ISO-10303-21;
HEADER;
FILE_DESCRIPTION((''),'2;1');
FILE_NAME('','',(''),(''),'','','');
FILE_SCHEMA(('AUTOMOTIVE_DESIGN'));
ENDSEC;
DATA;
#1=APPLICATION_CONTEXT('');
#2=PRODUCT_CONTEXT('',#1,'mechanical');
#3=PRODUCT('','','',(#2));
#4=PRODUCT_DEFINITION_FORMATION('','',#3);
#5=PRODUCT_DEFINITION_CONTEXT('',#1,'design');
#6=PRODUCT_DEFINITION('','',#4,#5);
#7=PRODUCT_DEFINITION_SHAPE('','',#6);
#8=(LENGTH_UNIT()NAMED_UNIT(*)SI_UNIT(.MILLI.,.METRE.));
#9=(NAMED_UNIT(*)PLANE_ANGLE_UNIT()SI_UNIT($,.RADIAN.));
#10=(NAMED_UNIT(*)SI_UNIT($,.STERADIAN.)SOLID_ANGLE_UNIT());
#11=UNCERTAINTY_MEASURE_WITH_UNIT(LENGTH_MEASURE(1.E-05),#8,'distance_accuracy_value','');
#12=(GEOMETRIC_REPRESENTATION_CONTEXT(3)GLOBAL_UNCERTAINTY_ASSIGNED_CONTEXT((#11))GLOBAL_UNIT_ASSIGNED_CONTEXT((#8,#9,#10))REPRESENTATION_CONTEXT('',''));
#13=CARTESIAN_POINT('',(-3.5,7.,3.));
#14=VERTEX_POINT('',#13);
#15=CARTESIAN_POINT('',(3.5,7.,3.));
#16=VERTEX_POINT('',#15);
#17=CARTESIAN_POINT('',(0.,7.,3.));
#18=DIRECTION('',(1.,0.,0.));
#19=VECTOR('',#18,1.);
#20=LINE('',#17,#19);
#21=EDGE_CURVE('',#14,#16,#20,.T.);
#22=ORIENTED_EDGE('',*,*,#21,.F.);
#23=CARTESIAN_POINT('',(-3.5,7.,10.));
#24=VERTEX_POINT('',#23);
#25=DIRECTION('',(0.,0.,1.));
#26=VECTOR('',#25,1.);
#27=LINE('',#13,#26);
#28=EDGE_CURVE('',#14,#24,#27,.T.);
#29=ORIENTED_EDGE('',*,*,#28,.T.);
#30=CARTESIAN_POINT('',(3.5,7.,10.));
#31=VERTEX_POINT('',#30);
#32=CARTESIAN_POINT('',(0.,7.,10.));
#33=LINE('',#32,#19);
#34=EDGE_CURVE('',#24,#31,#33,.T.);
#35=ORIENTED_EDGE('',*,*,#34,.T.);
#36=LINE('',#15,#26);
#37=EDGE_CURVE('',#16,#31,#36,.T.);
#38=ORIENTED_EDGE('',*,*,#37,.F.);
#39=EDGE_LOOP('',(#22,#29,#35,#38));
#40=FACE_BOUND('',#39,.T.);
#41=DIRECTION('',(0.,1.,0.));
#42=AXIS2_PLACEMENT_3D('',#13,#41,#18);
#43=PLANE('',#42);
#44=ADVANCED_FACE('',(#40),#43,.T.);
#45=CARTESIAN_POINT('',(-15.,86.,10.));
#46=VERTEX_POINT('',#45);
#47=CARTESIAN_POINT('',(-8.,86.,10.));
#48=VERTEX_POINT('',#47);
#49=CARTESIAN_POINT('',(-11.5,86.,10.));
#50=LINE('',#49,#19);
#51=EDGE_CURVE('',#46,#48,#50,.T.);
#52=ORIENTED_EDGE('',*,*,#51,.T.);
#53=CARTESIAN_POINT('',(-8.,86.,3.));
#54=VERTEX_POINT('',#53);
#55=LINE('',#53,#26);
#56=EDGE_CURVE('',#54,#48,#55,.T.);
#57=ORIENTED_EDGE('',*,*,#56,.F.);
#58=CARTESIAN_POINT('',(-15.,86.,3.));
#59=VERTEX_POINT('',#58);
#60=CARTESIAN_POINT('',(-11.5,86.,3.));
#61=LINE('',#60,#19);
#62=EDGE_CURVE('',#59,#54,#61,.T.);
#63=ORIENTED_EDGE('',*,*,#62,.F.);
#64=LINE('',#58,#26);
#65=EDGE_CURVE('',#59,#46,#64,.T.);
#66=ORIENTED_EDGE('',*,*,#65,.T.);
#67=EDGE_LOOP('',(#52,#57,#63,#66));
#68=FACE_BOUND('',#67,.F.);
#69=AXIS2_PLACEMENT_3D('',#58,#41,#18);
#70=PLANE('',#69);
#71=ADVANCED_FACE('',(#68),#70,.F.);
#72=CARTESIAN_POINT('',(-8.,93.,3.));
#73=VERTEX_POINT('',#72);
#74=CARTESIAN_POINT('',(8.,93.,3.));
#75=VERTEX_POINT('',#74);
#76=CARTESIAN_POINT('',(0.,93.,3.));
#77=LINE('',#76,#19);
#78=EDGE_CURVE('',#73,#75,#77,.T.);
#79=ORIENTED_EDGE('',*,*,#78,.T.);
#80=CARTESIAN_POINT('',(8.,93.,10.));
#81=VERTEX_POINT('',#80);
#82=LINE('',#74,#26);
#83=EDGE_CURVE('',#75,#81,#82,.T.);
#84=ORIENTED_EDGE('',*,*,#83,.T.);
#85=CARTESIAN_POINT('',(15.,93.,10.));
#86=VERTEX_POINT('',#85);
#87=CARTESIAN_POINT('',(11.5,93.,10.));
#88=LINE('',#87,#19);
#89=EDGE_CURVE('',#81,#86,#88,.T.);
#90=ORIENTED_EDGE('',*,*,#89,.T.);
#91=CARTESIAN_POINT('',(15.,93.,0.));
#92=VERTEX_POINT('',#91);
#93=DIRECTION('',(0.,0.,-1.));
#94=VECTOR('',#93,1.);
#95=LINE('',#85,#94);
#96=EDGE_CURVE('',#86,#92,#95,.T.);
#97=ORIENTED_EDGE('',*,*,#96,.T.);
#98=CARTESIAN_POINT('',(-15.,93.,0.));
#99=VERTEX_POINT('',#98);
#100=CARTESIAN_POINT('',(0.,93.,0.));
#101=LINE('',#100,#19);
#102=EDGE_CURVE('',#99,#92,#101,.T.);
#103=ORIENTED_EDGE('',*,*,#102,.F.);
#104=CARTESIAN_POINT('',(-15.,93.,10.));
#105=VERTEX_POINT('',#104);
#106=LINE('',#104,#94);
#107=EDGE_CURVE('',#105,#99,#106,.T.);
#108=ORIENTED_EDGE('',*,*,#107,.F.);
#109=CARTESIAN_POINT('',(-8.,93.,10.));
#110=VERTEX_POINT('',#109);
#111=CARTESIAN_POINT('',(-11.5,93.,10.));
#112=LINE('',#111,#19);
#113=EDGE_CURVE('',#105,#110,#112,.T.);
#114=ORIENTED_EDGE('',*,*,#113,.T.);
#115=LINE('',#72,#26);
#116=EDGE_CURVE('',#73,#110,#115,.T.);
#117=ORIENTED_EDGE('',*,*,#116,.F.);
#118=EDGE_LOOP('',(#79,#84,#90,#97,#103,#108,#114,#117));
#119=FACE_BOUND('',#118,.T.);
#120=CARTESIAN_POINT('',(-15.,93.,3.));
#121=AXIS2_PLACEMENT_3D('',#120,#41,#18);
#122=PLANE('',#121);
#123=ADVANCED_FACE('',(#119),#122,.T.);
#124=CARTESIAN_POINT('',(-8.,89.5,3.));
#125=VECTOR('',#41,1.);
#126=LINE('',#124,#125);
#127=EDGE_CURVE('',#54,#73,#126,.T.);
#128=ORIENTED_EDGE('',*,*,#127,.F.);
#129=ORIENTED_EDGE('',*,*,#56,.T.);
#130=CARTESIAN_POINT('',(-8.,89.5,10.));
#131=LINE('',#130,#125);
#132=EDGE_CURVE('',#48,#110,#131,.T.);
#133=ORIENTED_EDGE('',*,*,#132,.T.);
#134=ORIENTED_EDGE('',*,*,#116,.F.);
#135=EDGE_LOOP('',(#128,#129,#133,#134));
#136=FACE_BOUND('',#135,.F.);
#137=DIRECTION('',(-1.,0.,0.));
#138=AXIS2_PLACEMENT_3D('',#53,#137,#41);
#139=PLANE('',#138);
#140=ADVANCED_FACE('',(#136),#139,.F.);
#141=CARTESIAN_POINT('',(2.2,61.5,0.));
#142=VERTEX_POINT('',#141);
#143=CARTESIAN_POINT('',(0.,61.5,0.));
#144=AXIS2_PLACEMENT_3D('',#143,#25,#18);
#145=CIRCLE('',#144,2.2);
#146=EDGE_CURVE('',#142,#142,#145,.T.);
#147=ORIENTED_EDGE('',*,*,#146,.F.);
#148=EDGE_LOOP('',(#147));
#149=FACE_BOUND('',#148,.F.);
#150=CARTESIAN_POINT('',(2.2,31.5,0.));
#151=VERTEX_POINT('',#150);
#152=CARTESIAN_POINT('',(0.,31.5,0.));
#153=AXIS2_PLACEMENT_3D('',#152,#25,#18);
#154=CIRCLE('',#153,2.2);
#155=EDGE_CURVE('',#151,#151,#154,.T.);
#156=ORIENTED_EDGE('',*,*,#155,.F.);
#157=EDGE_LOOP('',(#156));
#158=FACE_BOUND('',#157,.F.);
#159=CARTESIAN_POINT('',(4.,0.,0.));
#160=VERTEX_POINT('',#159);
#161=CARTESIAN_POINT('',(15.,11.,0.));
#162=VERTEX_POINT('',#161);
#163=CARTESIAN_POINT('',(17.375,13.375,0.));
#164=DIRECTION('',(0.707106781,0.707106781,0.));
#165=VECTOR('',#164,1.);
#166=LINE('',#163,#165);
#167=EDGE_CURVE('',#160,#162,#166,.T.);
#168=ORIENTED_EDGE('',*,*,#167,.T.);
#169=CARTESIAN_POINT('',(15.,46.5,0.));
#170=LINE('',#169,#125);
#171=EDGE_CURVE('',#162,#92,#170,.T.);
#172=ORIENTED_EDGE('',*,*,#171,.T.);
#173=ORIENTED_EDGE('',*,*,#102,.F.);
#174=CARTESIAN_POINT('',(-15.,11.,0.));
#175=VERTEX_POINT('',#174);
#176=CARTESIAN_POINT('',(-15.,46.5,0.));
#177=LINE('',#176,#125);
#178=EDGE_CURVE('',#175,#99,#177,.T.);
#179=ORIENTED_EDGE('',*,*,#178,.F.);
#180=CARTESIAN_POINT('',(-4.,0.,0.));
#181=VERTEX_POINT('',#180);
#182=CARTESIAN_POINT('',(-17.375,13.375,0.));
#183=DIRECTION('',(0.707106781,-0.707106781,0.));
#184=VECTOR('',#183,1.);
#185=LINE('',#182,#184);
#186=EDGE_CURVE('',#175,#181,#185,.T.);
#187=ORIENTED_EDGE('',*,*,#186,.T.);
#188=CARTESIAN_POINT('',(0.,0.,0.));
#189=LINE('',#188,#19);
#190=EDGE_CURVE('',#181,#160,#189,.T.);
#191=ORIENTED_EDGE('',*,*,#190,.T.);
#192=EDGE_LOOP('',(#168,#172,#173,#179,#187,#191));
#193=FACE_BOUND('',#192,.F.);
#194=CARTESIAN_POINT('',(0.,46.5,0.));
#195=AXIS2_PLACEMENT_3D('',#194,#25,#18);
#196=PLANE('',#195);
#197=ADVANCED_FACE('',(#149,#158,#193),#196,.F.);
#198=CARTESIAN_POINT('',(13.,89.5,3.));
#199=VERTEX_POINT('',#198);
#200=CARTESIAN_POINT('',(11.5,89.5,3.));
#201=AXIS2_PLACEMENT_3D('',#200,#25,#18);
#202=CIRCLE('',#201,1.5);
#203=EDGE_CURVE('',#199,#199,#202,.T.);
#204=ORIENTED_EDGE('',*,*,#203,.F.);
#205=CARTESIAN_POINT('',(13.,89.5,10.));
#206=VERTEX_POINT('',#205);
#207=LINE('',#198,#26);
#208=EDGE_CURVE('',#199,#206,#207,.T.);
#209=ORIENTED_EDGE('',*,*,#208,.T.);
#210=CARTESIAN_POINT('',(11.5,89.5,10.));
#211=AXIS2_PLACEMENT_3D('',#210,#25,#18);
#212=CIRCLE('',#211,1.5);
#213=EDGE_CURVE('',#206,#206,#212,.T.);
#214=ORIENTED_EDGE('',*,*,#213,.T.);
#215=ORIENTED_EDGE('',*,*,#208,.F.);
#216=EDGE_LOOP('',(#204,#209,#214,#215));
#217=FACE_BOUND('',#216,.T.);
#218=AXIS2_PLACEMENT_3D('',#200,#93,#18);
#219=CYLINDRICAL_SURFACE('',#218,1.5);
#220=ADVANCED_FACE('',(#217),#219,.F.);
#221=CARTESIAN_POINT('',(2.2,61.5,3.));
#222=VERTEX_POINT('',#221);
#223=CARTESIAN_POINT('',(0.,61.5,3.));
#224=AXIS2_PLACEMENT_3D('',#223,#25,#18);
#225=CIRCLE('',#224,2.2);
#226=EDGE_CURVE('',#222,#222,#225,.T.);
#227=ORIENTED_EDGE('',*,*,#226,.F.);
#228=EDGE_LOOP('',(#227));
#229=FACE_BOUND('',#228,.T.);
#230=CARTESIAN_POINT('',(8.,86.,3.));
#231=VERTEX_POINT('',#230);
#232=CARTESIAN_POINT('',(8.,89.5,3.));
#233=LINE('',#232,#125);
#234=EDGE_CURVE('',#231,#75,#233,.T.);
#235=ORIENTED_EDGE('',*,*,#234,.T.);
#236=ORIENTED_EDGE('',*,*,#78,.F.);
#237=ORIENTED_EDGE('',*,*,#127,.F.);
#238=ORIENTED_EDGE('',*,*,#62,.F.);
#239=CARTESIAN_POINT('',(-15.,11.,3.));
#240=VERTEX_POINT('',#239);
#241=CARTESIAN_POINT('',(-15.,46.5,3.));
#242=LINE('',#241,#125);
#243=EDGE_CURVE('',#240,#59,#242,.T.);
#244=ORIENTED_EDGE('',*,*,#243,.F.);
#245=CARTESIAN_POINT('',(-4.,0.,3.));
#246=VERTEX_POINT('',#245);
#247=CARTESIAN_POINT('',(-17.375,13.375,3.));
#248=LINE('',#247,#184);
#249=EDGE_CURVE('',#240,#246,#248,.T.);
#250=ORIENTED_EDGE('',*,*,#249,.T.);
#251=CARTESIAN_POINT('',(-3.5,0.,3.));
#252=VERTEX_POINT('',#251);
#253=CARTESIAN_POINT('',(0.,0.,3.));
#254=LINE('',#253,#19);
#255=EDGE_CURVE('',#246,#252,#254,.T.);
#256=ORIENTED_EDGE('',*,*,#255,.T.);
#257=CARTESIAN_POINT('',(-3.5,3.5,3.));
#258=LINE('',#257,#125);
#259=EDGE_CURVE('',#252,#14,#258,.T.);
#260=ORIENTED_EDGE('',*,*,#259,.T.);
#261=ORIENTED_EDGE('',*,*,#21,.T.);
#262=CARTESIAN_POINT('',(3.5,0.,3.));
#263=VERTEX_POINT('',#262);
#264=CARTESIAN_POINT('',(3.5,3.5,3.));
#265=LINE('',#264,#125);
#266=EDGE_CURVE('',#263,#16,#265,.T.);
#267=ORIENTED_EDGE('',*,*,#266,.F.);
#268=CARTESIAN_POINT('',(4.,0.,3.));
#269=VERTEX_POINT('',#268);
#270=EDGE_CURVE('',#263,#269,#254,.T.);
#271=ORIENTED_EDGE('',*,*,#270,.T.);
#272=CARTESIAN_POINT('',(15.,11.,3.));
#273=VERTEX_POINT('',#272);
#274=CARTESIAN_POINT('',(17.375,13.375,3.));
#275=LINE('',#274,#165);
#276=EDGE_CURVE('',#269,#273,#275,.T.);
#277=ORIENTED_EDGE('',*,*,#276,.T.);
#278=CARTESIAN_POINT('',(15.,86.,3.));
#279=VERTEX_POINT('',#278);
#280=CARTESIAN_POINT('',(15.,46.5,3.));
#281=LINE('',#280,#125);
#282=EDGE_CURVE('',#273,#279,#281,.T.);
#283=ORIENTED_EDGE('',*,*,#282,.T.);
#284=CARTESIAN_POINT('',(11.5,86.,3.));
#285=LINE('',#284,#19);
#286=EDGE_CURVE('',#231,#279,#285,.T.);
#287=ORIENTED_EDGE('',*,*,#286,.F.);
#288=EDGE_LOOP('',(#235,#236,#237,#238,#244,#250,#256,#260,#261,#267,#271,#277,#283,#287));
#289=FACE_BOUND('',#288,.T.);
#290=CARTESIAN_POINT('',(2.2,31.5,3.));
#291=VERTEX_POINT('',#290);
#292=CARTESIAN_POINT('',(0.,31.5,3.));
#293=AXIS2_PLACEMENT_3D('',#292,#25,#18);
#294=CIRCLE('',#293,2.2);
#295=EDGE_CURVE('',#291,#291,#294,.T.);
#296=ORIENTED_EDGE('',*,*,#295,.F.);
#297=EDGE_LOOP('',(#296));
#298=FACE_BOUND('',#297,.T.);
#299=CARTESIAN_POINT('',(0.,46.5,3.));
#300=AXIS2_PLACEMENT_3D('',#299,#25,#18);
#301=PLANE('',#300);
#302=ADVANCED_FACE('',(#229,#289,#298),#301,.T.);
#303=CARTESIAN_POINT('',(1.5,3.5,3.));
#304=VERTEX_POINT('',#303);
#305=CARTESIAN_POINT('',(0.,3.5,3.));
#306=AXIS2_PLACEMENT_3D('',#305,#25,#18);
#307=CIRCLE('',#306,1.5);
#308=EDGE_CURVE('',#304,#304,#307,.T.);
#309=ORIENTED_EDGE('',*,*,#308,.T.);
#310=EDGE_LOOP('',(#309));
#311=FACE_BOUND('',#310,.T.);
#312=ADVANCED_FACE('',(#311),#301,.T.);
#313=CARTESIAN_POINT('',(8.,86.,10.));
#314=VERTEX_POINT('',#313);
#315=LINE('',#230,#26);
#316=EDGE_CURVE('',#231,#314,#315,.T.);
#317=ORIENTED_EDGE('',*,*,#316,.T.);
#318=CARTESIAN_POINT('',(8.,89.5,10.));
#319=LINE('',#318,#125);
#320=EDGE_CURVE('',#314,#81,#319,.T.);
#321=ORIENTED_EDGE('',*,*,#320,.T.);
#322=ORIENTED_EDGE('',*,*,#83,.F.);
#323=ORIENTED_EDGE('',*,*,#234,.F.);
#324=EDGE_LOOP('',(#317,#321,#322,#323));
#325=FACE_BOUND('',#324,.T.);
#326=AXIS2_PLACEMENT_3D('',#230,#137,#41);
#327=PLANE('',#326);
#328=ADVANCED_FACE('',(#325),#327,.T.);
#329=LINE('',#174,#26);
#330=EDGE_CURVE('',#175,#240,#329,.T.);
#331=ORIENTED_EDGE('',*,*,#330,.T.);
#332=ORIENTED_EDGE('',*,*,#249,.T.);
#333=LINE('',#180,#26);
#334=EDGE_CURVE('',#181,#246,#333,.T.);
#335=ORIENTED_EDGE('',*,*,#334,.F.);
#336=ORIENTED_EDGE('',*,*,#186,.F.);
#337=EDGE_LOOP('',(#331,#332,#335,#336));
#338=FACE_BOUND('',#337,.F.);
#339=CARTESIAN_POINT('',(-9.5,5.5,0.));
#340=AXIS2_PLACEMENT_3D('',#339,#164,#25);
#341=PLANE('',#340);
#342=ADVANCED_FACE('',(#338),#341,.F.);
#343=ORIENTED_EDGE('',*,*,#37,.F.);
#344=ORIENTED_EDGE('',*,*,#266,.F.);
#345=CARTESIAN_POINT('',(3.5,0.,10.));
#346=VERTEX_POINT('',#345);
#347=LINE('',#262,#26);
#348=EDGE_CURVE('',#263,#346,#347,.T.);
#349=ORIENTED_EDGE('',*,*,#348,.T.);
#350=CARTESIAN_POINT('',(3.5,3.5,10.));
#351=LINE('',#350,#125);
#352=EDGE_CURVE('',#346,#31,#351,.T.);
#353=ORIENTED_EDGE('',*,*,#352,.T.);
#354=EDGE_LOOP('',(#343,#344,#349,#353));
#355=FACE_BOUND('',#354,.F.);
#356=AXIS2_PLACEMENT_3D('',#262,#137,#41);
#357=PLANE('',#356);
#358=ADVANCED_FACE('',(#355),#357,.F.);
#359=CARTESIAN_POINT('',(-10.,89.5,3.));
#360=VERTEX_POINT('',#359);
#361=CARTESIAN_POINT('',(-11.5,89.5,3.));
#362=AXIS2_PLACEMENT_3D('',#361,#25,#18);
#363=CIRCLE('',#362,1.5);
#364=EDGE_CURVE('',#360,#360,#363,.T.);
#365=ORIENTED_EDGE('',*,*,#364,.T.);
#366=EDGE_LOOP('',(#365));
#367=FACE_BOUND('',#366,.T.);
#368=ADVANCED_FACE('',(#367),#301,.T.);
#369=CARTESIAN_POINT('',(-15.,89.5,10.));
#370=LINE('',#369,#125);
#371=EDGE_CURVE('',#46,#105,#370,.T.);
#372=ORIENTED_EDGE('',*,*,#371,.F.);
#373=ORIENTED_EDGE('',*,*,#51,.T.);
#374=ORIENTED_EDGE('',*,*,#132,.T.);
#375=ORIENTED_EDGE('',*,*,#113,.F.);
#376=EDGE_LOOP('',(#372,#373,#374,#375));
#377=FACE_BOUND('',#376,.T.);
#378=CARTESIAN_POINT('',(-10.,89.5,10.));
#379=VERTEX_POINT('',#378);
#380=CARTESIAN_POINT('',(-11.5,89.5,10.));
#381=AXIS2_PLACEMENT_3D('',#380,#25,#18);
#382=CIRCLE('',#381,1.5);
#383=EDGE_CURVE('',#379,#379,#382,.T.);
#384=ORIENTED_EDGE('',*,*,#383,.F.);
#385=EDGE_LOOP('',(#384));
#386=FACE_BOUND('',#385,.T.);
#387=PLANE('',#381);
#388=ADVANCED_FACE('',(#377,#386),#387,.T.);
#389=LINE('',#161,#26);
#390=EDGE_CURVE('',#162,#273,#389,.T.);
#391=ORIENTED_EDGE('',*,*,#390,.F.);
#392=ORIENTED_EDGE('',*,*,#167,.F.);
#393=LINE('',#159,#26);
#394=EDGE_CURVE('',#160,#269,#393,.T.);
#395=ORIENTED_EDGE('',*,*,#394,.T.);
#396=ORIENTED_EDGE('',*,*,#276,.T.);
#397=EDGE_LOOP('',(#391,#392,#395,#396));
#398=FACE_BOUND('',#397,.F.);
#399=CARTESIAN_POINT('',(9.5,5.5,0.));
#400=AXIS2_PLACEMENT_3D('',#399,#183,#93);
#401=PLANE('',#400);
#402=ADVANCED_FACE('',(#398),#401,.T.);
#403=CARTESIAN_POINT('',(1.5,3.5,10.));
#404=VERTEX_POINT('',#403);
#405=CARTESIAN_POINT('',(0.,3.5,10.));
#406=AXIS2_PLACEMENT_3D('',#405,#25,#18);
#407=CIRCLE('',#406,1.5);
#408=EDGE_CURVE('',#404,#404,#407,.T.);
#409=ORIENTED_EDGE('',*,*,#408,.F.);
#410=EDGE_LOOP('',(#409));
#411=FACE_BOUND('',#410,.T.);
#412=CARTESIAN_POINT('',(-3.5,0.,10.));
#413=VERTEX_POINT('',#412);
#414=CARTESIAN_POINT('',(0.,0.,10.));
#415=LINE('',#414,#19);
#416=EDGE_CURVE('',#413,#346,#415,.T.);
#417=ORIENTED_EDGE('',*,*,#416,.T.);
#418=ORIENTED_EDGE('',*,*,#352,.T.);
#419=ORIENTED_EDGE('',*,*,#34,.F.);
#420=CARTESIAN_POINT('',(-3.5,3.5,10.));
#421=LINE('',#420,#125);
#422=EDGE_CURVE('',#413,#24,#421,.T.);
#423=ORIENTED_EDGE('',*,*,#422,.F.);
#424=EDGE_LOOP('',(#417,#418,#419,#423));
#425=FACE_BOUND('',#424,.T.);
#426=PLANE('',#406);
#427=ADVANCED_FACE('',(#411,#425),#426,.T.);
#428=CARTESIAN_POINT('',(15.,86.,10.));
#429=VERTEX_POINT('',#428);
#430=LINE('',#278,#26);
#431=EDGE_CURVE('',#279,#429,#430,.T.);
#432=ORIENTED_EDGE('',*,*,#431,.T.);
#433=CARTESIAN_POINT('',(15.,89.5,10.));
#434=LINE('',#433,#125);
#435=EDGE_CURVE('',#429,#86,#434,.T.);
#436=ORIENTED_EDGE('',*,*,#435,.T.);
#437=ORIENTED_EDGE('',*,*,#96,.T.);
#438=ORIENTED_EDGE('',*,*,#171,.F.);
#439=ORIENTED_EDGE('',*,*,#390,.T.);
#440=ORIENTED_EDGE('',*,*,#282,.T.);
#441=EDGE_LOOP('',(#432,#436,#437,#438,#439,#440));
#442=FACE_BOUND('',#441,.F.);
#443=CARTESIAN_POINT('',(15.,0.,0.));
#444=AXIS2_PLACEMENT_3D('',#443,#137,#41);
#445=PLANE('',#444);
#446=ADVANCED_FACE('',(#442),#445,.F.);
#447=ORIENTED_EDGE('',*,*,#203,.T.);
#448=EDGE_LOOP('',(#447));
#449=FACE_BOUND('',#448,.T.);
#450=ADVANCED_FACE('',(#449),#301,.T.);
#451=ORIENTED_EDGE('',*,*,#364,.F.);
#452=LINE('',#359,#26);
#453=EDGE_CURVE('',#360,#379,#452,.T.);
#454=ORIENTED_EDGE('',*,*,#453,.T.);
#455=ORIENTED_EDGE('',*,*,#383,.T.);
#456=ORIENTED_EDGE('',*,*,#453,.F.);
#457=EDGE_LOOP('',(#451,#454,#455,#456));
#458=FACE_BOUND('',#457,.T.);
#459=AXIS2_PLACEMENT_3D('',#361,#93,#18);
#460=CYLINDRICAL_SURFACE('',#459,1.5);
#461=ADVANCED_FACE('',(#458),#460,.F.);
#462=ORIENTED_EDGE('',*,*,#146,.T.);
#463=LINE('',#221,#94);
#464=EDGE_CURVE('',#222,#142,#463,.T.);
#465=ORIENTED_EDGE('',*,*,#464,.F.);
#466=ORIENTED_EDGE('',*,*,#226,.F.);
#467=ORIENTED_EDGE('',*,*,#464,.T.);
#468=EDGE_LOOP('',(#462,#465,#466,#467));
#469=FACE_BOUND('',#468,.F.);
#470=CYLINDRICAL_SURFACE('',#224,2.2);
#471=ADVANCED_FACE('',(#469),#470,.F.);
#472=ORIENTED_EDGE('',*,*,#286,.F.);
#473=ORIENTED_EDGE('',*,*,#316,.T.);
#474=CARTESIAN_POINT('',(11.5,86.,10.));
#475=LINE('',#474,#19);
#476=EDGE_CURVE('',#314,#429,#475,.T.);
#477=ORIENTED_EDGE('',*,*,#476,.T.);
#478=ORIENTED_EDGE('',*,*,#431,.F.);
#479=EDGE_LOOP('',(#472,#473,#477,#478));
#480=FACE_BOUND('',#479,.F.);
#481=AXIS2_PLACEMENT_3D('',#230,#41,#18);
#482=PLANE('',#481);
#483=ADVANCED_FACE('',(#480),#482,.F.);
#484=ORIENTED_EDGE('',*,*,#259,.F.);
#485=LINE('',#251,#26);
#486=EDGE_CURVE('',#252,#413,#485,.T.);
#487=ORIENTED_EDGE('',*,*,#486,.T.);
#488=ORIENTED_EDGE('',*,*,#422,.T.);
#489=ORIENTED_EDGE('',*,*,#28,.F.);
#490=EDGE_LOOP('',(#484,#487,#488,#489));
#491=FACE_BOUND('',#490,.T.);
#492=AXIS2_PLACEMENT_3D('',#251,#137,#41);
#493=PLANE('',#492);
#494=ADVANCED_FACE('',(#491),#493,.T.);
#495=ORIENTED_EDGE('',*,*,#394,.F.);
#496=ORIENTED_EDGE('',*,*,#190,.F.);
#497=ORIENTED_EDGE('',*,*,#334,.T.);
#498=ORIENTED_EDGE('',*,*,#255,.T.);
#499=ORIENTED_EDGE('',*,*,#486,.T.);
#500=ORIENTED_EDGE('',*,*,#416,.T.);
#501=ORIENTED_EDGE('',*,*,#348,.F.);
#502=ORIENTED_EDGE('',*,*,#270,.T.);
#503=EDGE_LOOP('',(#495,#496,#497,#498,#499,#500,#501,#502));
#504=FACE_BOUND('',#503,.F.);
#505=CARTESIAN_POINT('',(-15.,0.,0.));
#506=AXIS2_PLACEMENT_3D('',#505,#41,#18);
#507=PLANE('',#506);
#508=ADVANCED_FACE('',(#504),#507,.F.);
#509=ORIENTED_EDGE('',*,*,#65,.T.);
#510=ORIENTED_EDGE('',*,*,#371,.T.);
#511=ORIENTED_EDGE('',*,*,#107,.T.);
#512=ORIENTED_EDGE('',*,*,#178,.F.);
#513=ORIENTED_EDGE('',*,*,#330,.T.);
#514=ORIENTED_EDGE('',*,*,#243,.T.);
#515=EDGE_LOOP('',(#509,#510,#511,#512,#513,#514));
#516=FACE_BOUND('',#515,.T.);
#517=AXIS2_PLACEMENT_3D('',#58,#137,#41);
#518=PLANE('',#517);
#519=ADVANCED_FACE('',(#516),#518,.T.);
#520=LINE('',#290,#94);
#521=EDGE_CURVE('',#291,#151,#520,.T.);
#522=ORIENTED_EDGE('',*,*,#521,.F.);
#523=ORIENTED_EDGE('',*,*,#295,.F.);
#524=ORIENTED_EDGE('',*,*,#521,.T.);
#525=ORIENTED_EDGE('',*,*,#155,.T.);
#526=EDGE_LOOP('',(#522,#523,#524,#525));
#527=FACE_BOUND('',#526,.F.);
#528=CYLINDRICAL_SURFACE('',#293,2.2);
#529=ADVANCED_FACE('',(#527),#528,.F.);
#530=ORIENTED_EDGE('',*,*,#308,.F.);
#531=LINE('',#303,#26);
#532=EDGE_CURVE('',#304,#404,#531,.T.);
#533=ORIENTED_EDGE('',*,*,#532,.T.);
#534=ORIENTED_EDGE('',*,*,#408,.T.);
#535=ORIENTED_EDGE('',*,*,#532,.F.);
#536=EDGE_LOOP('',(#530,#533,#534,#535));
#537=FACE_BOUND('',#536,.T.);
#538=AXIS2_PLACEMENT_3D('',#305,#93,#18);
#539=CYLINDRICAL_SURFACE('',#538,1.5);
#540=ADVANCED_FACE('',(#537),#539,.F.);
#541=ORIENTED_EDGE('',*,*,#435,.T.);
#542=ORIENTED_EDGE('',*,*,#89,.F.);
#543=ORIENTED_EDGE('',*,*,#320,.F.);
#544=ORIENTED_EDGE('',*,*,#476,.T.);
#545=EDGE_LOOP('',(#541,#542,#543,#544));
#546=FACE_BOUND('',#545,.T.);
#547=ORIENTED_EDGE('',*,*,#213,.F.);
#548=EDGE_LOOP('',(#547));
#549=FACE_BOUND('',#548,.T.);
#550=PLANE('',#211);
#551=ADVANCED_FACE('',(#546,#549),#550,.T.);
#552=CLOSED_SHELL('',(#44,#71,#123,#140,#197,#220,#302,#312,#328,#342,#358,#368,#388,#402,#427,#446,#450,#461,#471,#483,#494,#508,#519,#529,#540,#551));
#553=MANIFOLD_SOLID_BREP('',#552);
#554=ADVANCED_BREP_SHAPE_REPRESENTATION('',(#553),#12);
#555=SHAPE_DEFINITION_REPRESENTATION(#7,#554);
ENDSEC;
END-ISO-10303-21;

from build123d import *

# Parameters (mm, degrees)
SKETCH_W     = 30
SKETCH_H     = 93
PAD_DEPTH    = 3
SKETCH001_W  = 7
SKETCH001_H  = 7
SKETCH001_R  = 1.5
PAD001_DEPTH = 7
SKETCH002_R  = 2.2
HOLE_DEPTH   = 25
CHAMFER_SIZE = 11


with BuildPart() as part:
    # Sketch → Pad (new body)
    with BuildSketch(Plane.XY):
        with Locations((0, 46.5)):
            Rectangle(SKETCH_W, SKETCH_H)
    extrude(amount=PAD_DEPTH)

    # Sketch001 (on Face6 of Pad) → Pad001 (join)
    with BuildSketch(Plane.XY.offset(3)):
        with Locations((0, 3.5)):
            Rectangle(SKETCH001_W, SKETCH001_H)
        with Locations((0, 3.5)):
            Circle(SKETCH001_R, mode=Mode.SUBTRACT)
        with Locations((-11.5, 89.5)):
            Rectangle(SKETCH001_W, SKETCH001_H)
        with Locations((-11.5, 89.5)):
            Circle(SKETCH001_R, mode=Mode.SUBTRACT)
        with Locations((11.5, 89.5)):
            Rectangle(SKETCH001_W, SKETCH001_H)
        with Locations((11.5, 89.5)):
            Circle(SKETCH001_R, mode=Mode.SUBTRACT)
    extrude(amount=PAD001_DEPTH)

    # Sketch002 (on Face6 of Pad001) → Hole (cut)
    with BuildSketch(Plane.XY.offset(3)):
        with Locations((0, 61.5)):
            Circle(SKETCH002_R)
        with Locations((0, 31.5)):
            Circle(SKETCH002_R)
    extrude(amount=-HOLE_DEPTH, mode=Mode.SUBTRACT)

    # Chamfer
    chamfer_edges = [part.edges().sort_by_distance(p)[0] for p in [
        (15, 0, 1.5),
        (-15, 0, 1.5),
    ]]
    chamfer(chamfer_edges, length=CHAMFER_SIZE)


solid = part.part
